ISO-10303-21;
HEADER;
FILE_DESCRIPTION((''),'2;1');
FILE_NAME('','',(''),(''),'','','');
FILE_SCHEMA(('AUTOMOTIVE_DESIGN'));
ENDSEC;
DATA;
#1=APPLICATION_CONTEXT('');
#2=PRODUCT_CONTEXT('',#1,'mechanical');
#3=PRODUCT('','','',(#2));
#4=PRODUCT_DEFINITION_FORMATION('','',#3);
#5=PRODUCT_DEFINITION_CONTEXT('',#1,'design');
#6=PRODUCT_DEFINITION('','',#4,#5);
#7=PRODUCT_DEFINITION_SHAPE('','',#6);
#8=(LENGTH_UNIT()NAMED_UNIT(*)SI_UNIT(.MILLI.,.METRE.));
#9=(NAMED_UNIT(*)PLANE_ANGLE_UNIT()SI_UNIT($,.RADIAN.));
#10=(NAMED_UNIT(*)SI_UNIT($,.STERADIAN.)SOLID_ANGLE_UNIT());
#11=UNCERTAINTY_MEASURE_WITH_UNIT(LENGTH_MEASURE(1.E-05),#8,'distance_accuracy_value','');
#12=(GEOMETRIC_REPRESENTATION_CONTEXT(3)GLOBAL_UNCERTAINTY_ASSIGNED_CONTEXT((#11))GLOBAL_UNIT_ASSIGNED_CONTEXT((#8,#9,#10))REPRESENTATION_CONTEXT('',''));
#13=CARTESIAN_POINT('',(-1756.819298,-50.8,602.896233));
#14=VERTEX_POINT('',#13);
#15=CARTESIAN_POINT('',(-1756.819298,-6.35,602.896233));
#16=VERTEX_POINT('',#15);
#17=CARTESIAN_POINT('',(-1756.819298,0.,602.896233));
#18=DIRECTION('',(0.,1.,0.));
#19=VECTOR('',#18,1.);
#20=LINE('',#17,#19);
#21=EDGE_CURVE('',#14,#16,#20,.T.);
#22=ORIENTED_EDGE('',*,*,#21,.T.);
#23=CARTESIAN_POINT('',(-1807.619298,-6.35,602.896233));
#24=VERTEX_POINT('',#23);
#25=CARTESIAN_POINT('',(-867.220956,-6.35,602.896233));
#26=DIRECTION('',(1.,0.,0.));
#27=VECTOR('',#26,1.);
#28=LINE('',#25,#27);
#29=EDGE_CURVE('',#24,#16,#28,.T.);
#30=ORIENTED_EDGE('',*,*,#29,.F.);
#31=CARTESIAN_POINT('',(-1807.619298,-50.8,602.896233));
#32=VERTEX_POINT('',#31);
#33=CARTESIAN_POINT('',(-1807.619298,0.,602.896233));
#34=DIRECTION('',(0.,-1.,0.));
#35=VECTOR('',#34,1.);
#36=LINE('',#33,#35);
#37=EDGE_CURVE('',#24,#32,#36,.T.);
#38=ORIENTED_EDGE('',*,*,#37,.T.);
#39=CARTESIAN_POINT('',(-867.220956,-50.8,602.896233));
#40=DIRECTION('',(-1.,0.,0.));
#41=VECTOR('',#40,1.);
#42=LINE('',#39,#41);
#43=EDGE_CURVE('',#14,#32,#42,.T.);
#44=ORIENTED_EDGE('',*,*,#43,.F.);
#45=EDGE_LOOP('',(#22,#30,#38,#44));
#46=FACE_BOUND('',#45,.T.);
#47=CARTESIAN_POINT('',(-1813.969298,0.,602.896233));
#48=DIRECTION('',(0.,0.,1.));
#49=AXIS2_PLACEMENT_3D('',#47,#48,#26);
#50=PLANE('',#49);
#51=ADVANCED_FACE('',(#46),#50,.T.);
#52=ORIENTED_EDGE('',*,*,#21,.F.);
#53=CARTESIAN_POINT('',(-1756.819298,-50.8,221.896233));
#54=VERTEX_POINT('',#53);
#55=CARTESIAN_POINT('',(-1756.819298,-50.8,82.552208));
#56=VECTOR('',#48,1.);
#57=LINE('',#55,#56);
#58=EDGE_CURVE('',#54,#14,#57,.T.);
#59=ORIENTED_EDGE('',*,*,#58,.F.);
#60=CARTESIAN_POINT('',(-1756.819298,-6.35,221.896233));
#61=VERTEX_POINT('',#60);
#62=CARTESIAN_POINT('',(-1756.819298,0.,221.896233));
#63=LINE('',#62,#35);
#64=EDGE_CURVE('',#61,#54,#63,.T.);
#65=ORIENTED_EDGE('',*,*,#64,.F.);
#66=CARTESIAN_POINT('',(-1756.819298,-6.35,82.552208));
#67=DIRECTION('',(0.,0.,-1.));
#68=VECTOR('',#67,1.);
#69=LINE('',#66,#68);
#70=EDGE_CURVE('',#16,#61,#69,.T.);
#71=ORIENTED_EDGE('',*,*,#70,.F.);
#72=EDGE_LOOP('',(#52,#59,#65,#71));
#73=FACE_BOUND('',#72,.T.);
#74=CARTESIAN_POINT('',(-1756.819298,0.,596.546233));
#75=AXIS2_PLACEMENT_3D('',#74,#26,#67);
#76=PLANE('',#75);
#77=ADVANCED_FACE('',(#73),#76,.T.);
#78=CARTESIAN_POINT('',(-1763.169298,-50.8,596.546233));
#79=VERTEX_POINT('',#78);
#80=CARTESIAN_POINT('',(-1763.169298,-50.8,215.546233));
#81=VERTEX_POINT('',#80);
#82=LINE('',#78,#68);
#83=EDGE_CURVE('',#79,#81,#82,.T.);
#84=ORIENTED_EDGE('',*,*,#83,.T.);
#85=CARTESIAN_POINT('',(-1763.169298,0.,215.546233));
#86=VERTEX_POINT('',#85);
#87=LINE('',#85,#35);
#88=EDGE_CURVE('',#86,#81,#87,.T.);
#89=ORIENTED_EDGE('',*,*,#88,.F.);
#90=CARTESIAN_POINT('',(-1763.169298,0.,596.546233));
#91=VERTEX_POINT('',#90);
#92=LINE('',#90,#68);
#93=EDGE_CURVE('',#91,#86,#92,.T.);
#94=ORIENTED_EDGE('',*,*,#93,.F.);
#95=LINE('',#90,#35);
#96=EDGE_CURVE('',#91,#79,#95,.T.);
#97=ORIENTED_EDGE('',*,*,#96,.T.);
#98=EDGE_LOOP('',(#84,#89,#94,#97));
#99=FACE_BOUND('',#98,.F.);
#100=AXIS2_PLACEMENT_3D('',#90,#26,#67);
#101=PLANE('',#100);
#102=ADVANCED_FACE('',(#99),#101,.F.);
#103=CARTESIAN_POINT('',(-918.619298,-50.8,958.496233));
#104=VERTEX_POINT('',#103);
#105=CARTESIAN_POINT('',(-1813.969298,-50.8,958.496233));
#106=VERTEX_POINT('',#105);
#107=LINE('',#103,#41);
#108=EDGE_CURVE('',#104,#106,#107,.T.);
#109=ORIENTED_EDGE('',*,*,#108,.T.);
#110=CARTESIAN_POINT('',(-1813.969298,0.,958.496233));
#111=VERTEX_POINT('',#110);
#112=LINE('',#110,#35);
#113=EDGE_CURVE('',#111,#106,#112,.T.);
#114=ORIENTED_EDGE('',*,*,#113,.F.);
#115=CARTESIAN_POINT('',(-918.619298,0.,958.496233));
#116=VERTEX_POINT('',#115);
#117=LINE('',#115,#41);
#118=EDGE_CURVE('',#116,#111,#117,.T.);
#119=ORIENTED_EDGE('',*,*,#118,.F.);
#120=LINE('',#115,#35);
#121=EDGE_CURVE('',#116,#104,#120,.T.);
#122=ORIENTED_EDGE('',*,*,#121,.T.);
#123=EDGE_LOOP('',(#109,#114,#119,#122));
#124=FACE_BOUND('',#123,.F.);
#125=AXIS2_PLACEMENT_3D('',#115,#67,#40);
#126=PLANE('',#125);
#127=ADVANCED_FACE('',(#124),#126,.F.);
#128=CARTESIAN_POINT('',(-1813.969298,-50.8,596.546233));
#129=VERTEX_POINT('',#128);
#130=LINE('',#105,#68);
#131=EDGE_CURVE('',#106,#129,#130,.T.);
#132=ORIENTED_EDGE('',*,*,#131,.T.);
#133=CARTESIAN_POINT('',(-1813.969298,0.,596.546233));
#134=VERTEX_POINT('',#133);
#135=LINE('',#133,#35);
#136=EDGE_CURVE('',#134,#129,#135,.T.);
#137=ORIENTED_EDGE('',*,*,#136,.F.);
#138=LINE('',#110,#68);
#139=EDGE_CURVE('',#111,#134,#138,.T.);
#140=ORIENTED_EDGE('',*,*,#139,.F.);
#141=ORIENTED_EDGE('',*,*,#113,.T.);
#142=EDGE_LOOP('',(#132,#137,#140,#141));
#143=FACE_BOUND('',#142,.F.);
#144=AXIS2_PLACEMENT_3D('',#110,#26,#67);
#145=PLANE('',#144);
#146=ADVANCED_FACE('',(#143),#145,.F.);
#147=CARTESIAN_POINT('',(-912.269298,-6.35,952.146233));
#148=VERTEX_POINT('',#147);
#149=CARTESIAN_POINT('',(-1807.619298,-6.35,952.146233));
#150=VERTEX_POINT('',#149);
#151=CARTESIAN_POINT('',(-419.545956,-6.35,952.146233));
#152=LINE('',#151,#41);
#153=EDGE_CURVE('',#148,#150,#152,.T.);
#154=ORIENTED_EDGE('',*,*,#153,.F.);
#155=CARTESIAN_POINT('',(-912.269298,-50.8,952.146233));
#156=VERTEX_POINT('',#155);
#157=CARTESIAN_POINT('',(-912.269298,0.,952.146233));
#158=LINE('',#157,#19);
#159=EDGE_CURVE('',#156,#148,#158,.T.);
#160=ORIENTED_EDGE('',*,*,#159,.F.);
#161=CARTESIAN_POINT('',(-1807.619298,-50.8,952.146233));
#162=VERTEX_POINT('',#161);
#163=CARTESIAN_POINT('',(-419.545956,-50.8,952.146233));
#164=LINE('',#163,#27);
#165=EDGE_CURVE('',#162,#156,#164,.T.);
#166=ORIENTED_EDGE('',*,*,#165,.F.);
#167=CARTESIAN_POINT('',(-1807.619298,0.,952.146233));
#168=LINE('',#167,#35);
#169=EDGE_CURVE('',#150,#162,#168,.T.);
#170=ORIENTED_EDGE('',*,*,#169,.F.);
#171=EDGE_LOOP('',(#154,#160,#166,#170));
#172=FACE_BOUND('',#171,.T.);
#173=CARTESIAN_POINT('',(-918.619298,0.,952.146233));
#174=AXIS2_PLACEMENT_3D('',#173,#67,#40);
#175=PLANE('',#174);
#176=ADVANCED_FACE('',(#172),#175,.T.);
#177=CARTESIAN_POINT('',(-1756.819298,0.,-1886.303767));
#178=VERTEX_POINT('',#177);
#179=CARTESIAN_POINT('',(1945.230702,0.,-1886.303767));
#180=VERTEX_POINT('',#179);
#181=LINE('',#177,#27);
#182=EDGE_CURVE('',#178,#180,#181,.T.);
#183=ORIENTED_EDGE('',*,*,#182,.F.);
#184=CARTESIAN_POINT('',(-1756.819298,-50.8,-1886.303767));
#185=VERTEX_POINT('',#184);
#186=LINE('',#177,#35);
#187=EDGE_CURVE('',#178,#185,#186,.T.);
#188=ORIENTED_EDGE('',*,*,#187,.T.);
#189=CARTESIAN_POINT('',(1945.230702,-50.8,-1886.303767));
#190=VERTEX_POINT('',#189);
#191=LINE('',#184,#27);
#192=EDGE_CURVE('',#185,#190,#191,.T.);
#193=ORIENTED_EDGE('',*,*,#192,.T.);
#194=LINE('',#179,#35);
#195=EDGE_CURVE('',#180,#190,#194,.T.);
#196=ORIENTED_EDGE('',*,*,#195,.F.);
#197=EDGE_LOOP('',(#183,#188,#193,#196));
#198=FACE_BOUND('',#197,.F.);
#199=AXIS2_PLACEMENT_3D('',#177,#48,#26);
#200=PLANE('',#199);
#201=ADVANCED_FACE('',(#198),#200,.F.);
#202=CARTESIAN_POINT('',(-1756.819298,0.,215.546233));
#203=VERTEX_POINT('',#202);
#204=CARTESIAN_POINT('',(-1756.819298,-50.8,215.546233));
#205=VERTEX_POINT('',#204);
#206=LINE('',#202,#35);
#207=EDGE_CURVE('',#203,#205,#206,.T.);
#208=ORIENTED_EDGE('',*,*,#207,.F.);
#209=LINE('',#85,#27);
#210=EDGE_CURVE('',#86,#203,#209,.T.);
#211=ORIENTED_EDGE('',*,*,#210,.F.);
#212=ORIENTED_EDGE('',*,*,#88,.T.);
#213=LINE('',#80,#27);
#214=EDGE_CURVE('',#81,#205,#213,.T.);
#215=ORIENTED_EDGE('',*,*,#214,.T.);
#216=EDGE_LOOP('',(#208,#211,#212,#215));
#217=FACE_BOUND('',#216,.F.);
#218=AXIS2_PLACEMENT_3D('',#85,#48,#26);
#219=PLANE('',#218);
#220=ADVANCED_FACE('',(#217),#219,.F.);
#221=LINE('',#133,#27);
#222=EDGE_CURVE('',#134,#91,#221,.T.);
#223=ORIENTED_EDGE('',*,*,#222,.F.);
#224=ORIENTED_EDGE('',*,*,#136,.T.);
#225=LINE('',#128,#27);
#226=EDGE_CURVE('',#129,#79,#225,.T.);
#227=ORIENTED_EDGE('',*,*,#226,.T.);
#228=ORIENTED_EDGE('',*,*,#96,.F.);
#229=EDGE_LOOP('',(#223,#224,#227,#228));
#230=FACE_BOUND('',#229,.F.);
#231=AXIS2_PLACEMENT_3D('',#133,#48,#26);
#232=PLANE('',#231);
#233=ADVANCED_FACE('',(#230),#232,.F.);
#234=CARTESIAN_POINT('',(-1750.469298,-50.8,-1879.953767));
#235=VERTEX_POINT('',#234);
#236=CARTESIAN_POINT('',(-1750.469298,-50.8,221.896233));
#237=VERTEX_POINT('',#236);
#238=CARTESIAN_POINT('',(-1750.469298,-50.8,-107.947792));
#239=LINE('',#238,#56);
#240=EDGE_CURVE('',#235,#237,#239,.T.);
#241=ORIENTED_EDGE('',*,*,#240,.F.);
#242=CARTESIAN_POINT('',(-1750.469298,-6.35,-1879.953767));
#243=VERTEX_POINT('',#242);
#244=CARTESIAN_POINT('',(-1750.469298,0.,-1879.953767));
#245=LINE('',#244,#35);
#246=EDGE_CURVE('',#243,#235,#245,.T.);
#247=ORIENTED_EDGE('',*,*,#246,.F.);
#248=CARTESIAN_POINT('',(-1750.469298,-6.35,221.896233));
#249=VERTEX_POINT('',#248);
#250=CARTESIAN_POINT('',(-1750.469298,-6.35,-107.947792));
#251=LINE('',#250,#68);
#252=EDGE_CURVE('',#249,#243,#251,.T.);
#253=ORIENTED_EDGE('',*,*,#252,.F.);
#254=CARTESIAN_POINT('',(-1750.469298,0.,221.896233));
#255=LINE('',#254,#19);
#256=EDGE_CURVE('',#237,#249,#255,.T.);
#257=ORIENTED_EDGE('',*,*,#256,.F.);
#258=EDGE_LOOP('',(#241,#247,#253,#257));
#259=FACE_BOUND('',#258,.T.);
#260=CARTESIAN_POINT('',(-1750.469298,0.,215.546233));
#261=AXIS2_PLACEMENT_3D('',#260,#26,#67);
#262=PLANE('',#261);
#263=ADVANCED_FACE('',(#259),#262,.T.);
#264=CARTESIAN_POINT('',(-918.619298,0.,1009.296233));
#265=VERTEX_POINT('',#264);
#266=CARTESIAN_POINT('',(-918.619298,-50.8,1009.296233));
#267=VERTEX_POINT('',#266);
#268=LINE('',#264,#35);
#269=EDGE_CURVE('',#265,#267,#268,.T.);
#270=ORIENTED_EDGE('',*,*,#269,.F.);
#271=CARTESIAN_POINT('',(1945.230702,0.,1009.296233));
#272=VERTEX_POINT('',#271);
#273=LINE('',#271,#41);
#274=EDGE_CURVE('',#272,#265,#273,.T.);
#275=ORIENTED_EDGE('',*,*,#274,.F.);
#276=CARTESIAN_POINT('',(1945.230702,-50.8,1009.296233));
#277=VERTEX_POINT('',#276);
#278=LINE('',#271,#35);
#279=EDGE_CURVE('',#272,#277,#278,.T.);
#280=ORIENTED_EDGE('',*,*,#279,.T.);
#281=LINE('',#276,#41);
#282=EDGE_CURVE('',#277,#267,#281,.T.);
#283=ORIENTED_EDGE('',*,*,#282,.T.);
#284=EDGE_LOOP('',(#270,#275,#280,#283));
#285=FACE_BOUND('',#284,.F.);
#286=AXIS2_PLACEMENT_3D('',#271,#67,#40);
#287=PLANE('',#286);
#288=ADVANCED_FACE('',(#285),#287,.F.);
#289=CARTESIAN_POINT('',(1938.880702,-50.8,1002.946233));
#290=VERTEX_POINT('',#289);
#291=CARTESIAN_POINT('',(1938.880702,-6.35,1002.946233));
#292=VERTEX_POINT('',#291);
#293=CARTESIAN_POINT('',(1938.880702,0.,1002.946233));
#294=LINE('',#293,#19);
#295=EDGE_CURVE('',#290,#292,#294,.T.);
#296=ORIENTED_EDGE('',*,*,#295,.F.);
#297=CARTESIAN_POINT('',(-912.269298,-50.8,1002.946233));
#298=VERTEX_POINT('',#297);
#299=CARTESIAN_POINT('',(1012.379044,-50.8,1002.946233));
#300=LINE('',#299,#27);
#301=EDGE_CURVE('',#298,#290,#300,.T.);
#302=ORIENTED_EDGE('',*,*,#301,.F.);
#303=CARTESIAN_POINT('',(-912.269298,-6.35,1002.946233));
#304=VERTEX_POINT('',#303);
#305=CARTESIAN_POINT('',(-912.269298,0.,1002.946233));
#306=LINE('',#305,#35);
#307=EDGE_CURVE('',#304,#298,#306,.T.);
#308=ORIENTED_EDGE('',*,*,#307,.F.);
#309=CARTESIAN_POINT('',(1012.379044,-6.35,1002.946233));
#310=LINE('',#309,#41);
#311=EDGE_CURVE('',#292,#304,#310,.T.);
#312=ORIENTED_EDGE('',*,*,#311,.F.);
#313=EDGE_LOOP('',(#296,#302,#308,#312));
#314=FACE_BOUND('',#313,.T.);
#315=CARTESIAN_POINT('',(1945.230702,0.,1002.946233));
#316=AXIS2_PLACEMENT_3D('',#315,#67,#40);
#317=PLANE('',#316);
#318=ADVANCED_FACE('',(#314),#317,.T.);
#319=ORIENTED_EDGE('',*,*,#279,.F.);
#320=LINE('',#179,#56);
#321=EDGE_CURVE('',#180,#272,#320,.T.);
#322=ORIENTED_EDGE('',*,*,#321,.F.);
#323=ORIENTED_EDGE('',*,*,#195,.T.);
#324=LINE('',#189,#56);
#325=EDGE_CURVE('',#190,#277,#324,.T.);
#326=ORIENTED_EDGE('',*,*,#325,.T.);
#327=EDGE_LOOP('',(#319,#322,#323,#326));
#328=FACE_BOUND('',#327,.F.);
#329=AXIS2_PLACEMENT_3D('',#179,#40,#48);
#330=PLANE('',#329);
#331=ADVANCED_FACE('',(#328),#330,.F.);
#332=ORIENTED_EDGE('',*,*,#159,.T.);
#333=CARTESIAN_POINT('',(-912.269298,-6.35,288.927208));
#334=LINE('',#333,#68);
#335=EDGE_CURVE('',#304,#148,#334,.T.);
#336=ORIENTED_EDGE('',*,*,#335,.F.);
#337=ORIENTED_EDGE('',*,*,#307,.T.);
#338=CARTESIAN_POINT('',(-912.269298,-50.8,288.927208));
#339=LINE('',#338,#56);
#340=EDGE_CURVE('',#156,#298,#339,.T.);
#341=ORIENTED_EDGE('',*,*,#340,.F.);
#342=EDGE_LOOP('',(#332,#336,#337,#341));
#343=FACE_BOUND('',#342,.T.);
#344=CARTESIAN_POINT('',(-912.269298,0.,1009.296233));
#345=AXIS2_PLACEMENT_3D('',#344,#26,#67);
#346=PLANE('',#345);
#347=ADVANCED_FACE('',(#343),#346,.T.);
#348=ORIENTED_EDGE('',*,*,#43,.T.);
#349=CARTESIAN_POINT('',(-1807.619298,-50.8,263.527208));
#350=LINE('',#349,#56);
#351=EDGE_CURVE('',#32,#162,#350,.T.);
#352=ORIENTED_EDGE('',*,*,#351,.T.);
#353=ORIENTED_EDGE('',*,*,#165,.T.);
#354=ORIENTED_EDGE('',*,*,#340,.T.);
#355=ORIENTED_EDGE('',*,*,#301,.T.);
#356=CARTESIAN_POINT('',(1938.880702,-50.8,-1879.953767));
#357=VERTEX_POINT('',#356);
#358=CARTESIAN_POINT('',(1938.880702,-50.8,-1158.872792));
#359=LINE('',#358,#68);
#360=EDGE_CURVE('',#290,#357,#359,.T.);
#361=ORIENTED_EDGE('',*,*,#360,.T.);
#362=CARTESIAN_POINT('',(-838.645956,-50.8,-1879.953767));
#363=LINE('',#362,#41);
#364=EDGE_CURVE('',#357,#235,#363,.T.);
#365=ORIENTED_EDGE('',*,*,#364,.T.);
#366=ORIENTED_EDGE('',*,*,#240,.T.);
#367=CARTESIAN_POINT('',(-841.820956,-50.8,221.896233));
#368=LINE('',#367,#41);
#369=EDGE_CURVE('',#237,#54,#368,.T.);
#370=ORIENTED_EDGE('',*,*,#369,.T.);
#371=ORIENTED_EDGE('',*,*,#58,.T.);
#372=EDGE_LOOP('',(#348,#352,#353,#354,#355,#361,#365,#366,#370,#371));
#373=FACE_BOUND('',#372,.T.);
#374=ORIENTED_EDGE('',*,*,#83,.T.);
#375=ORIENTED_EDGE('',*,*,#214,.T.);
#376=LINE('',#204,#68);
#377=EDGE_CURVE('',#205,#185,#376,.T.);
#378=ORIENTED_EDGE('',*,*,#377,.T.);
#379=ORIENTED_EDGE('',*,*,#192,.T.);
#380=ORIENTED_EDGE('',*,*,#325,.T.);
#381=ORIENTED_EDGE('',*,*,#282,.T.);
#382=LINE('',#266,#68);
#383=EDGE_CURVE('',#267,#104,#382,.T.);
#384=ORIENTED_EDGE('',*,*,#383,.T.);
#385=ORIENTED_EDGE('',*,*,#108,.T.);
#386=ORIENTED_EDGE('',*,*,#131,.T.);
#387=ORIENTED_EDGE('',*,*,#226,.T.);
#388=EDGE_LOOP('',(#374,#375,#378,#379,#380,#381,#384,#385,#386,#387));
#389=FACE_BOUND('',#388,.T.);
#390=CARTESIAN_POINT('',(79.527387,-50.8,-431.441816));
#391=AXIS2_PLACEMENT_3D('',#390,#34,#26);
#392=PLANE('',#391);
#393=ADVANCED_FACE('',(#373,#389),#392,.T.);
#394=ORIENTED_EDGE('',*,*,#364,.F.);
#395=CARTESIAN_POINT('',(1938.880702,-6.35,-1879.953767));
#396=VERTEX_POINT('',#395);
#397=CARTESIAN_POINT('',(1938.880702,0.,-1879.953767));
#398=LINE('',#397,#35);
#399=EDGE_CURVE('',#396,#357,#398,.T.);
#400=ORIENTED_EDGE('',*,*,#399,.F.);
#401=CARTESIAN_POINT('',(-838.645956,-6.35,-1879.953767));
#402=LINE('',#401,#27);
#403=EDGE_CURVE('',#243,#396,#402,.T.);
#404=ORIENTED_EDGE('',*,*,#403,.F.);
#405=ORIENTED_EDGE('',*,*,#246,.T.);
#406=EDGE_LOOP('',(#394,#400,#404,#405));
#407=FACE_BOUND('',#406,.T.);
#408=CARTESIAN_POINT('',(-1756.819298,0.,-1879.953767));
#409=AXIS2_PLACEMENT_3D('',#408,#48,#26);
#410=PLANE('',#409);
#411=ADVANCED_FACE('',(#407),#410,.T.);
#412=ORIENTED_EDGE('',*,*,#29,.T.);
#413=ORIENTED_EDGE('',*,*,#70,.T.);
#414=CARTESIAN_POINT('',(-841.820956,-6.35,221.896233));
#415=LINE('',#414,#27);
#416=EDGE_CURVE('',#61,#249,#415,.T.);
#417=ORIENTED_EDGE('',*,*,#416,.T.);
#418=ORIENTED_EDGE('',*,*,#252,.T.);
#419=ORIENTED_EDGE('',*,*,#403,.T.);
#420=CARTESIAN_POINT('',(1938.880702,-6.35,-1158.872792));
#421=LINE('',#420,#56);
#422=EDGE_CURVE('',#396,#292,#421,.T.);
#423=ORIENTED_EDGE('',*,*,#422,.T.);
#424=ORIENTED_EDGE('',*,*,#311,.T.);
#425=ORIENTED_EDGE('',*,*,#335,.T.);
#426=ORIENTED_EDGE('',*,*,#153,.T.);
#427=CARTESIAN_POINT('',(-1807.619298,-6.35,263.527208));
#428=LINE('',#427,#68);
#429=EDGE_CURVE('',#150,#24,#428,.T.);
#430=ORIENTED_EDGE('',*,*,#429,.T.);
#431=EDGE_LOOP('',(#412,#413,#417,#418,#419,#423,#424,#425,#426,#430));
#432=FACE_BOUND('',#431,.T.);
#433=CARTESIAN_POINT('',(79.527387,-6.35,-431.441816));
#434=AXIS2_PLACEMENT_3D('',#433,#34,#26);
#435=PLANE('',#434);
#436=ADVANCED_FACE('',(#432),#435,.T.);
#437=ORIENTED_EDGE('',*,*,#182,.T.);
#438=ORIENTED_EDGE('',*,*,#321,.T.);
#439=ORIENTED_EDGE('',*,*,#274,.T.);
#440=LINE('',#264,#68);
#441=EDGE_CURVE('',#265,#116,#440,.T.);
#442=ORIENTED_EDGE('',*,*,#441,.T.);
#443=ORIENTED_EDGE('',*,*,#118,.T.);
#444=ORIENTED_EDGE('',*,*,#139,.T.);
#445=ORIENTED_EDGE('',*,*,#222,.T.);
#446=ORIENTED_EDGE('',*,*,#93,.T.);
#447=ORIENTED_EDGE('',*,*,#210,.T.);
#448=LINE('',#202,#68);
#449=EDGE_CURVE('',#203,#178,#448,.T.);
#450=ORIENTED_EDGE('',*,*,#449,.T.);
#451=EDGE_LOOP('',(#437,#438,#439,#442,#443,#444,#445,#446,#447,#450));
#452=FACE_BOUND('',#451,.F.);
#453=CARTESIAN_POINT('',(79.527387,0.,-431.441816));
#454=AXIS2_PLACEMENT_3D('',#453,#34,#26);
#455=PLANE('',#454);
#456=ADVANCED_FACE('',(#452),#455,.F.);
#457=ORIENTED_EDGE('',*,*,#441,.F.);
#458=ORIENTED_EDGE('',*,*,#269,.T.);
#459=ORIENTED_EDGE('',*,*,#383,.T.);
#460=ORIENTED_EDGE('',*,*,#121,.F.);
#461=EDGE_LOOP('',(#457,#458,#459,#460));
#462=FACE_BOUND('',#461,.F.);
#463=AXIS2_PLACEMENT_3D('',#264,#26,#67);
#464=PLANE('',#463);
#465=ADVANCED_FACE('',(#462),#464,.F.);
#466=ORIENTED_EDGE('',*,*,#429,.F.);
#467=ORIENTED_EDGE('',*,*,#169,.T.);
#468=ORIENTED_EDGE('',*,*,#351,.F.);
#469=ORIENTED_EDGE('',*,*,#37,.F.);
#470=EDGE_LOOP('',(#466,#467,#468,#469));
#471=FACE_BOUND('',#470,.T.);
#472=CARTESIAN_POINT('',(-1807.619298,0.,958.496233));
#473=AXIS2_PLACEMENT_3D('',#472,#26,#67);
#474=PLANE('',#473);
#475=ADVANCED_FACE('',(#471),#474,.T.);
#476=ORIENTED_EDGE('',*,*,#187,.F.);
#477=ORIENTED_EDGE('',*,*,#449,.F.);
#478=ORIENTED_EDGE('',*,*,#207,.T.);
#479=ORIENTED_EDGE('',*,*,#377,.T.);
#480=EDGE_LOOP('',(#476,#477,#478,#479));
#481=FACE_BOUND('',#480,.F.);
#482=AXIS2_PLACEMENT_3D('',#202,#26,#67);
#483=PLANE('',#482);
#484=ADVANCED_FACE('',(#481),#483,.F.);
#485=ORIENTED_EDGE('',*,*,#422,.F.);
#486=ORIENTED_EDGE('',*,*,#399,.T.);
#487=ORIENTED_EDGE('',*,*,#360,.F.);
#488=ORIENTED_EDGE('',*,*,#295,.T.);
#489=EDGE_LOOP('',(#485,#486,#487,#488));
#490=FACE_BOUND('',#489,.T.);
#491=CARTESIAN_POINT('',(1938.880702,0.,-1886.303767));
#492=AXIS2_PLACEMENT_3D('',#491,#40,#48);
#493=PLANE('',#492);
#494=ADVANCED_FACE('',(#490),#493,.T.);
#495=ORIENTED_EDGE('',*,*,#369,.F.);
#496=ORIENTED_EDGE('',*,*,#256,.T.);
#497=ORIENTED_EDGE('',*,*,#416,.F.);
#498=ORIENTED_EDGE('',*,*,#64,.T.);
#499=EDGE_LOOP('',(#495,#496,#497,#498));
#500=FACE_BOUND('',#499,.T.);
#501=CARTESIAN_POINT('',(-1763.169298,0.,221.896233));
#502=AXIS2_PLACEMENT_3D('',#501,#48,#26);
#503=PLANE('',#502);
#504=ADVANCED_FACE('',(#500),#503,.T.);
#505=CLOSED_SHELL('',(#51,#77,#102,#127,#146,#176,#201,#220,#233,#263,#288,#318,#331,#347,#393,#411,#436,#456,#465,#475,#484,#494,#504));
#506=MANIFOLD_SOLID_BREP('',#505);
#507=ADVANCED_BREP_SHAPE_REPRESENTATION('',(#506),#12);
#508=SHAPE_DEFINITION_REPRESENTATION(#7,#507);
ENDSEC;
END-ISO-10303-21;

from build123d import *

# Parameters (mm, degrees)
F1_DEPTH = 50.8
F2_T     = -6.35


with BuildPart() as f1:
    # F0 (on Front) → F1 (new body)
    with BuildSketch(Plane.XZ):
        Polygon((1945.2307024002, 1009.2962327003), (-918.6192975998, 1009.2962327003), (-918.6192975998, 958.4962327003), (-1813.9692975998, 958.4962327003), (-1813.9692975998, 596.5462327003), (-1763.1692975998, 596.5462327003), (-1763.1692975998, 215.5462327003), (-1756.8192975998, 215.5462327003), (-1756.8192975998, -1886.3037672997), (1945.2307024002, -1886.3037672997), align=None)
    extrude(amount=F1_DEPTH)

    # F2
    f2_openings = [f1.faces().sort_by_distance(p)[0] for p in [
        (95.851081, -50.8, -441.622342),
    ]]
    offset(amount=F2_T, openings=f2_openings, kind=Kind.INTERSECTION)


solid = f1.part
